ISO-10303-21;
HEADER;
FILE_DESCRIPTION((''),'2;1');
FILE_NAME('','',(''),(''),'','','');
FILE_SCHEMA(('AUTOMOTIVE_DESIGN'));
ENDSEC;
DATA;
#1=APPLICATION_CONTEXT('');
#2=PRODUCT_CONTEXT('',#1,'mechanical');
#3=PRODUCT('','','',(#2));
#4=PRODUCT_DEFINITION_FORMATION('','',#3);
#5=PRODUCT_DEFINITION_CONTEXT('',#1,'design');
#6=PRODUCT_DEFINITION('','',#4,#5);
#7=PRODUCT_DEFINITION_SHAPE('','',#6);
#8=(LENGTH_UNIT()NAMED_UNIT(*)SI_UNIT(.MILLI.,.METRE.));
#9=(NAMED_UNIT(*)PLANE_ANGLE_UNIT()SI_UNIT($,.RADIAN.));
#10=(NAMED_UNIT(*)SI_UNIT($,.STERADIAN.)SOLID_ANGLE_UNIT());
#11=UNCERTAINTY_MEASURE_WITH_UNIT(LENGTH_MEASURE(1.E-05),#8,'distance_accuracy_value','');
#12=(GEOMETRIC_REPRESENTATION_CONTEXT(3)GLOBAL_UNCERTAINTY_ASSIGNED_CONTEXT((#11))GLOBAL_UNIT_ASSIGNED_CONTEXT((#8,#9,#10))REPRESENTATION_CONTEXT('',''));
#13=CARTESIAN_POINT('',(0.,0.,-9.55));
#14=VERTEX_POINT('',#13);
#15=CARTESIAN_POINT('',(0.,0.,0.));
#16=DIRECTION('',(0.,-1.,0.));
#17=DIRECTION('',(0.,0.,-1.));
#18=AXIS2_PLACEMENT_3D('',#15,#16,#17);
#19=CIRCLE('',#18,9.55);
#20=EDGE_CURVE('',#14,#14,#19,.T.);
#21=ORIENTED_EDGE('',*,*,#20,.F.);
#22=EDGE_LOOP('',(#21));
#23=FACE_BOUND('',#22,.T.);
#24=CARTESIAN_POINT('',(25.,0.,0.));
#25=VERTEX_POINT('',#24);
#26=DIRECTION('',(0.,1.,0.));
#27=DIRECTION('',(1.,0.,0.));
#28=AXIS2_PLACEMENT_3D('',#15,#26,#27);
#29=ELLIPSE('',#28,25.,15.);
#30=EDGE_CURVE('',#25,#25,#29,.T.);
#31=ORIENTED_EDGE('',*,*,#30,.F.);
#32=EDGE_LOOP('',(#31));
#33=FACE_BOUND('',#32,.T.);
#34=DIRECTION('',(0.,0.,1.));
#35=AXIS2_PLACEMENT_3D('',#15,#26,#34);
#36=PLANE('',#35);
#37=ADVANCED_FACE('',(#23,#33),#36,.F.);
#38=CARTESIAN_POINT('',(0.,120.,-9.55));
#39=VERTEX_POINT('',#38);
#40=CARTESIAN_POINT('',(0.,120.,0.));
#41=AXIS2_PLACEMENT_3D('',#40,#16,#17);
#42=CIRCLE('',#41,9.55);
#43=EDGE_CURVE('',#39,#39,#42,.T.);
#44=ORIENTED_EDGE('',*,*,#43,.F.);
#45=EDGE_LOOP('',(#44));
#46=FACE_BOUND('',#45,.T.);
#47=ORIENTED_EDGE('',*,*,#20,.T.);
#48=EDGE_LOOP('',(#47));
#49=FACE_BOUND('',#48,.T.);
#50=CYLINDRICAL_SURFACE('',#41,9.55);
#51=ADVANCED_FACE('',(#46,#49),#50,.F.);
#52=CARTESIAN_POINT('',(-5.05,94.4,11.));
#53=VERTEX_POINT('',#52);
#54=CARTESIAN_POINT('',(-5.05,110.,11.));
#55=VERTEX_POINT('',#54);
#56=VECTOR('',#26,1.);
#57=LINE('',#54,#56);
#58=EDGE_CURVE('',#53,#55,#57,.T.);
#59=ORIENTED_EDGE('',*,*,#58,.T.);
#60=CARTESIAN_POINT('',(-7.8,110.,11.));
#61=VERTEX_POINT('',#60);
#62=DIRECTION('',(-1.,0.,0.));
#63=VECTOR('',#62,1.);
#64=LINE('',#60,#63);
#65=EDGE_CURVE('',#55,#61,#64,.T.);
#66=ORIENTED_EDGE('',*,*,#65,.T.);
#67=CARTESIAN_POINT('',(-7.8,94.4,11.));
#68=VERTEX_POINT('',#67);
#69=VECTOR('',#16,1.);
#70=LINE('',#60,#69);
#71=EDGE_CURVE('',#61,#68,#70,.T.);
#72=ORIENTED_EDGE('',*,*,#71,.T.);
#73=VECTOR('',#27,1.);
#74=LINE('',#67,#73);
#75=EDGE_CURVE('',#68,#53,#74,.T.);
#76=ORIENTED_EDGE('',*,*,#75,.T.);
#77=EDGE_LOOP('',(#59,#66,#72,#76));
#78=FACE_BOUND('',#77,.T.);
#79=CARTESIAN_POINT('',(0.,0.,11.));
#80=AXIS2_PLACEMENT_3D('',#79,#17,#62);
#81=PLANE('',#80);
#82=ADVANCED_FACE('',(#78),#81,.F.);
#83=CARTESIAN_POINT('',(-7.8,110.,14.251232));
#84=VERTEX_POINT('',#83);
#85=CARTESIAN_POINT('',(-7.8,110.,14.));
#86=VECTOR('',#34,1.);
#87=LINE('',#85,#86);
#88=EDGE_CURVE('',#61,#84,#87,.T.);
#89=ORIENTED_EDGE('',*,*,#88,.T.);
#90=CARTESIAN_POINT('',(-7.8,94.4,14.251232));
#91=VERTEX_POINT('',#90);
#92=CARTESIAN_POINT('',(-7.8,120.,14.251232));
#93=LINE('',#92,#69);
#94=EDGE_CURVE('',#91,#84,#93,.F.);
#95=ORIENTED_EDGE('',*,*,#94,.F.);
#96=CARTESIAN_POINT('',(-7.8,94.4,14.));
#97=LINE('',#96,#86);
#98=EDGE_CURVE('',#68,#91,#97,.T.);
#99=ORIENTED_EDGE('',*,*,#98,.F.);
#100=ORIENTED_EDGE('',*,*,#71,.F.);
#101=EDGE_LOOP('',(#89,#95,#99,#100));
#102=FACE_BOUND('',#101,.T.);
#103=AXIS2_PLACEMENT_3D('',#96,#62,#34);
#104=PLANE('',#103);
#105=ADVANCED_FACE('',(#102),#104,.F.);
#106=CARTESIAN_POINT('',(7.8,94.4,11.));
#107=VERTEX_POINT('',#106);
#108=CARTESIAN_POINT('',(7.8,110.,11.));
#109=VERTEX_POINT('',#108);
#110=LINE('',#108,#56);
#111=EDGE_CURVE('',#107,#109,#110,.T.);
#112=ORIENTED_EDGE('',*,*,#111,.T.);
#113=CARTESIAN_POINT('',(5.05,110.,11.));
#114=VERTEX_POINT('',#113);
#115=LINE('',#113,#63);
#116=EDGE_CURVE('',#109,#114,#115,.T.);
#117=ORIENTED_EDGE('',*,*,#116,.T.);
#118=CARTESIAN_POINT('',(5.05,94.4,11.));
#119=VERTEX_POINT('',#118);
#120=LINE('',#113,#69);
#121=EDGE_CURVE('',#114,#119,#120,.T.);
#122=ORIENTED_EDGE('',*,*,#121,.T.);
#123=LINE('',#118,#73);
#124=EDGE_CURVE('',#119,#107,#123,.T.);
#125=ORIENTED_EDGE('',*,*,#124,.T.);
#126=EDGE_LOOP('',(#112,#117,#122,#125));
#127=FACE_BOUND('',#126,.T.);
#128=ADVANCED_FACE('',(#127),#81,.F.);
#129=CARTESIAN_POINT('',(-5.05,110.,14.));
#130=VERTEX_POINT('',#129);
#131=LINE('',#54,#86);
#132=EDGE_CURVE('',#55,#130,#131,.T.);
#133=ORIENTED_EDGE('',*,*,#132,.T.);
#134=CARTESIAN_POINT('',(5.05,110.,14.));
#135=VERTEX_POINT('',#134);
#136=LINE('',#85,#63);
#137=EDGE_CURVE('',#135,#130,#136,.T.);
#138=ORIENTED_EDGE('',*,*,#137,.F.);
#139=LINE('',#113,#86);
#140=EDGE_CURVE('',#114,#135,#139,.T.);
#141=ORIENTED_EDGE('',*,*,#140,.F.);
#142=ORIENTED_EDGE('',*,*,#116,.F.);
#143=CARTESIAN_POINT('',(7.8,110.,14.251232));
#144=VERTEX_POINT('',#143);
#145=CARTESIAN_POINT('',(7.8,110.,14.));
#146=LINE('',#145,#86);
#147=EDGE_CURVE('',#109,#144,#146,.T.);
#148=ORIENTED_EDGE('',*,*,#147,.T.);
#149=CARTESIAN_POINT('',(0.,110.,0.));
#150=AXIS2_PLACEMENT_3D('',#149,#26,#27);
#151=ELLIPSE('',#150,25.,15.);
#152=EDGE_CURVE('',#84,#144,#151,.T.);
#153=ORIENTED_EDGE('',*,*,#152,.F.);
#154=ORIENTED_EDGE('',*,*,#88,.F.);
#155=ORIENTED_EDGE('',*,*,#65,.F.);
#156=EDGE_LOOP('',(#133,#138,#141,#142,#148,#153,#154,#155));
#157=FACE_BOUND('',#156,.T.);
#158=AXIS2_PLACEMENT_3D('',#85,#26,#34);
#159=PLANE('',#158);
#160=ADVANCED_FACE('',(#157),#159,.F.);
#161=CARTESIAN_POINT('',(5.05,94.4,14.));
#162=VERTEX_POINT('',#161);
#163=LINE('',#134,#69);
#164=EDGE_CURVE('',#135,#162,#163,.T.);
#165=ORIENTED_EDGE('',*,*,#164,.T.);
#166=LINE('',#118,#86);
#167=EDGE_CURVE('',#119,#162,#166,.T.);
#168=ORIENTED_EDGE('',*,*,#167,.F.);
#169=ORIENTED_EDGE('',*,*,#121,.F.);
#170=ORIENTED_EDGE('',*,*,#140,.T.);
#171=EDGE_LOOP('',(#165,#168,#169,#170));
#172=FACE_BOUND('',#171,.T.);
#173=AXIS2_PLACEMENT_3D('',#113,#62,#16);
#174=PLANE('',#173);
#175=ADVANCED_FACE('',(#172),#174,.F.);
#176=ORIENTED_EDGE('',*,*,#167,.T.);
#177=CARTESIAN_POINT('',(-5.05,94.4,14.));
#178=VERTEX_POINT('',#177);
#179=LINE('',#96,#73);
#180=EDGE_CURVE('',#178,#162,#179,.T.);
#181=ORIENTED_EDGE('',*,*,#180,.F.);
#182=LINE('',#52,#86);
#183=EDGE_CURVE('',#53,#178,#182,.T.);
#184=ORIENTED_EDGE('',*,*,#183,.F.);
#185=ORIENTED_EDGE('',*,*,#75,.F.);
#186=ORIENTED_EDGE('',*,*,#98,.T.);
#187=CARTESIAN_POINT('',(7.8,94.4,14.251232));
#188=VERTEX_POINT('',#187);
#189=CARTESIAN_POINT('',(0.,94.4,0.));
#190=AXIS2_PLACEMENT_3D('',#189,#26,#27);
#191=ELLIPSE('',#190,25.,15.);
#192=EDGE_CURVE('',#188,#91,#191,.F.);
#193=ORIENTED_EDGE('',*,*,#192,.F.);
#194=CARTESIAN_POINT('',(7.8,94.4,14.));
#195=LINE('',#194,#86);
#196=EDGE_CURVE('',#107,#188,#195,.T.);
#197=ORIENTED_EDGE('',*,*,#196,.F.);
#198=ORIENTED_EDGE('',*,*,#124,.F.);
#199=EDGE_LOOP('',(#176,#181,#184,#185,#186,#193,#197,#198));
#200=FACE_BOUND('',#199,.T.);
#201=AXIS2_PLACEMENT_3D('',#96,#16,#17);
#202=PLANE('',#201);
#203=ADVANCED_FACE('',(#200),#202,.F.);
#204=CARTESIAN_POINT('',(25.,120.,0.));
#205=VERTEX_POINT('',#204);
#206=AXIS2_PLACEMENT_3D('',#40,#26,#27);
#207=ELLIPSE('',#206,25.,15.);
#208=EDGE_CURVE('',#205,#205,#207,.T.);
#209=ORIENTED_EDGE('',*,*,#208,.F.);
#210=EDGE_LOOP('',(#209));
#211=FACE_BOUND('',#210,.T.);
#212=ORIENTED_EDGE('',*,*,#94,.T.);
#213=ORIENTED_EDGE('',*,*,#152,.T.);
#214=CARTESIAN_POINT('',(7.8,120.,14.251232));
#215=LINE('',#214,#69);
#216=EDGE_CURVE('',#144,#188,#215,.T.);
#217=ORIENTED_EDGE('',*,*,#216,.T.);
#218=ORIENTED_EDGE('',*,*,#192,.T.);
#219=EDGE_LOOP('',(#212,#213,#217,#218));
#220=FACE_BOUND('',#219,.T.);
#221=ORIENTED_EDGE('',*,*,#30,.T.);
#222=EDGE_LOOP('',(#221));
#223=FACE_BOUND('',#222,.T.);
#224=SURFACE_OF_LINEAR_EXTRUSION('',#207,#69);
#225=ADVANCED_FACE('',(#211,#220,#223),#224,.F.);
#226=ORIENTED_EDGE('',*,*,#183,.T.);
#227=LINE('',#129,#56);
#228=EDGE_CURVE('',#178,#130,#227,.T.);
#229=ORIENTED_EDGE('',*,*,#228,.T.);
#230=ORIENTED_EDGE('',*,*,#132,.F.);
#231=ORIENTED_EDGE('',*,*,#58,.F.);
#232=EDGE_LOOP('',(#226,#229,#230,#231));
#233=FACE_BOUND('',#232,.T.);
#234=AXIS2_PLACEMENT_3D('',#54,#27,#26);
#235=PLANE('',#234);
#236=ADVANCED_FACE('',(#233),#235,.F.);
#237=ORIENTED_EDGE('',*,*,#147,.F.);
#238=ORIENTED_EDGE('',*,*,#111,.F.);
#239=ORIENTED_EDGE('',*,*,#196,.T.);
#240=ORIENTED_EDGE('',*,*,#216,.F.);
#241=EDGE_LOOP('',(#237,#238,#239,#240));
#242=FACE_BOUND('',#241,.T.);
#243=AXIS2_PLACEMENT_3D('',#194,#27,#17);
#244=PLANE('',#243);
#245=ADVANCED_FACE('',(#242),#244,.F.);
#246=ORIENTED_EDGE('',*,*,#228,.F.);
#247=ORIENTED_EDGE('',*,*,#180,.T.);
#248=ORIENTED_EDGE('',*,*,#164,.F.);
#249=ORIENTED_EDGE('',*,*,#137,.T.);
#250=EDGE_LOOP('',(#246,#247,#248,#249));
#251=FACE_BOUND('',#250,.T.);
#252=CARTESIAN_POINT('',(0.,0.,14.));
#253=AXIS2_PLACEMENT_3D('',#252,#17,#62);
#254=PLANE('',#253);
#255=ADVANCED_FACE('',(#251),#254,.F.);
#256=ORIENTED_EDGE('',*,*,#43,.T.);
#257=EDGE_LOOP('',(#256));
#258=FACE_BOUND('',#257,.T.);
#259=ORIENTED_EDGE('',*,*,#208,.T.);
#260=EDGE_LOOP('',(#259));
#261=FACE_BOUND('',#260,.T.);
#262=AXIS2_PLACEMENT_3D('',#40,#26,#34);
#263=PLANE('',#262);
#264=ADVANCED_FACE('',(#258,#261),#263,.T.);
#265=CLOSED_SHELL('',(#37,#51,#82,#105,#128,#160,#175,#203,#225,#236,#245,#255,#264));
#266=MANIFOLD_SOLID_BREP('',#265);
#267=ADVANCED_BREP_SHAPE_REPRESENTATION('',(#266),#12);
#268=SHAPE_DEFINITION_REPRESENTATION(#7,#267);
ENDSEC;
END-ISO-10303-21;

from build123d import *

# Parameters (mm, degrees)
SKETCH_1_RX         = 25
SKETCH_1_RY         = 15
EXTRUDE_1_DEPTH     = 120
SKETCH_2_R          = 9.55
CUT_EXTRUDE_1_DEPTH = 120
CUT_EXTRUDE_START   = 15
SKETCH_3_W          = 15.6
SKETCH_3_H          = 15.6
CUT_EXTRUDE_3_DEPTH = 1
SKETCH_4_W          = 2.75
SKETCH_4_H          = 15.6
CUT_EXTRUDE_4_DEPTH = 3


with BuildPart() as part:
    # 草图1 → 凸台-拉伸1 (new body)
    with BuildSketch(Plane(origin=(0, 0, 0), x_dir=(1, 0, 0), z_dir=(0, 1, 0))):
        with Locations((0, 0)):
            Ellipse(SKETCH_1_RX, SKETCH_1_RY)
    extrude(amount=EXTRUDE_1_DEPTH)

    # 草图2 → 切除-拉伸1 (cut)
    with BuildSketch(Plane.XZ):
        with Locations(Location((0, 0, 0), (0, 0, 270))):
            Circle(SKETCH_2_R)
    extrude(amount=-CUT_EXTRUDE_1_DEPTH, mode=Mode.SUBTRACT)

    # 草图3 → 切除-拉伸3 (cut)
    with BuildSketch(Plane.XY.offset(CUT_EXTRUDE_START)):
        with Locations((0, 102.2)):
            Rectangle(SKETCH_3_W, SKETCH_3_H)
    extrude(amount=-CUT_EXTRUDE_3_DEPTH, mode=Mode.SUBTRACT)

    # 草图4 → 切除-拉伸4 (cut)
    with BuildSketch(Plane.XY.offset(14)):
        with Locations((-6.425, 102.2)):
            Rectangle(SKETCH_4_W, SKETCH_4_H)
        with Locations((6.425, 102.2)):
            Rectangle(SKETCH_4_W, SKETCH_4_H)
    extrude(amount=-CUT_EXTRUDE_4_DEPTH, mode=Mode.SUBTRACT)


solid = part.part
